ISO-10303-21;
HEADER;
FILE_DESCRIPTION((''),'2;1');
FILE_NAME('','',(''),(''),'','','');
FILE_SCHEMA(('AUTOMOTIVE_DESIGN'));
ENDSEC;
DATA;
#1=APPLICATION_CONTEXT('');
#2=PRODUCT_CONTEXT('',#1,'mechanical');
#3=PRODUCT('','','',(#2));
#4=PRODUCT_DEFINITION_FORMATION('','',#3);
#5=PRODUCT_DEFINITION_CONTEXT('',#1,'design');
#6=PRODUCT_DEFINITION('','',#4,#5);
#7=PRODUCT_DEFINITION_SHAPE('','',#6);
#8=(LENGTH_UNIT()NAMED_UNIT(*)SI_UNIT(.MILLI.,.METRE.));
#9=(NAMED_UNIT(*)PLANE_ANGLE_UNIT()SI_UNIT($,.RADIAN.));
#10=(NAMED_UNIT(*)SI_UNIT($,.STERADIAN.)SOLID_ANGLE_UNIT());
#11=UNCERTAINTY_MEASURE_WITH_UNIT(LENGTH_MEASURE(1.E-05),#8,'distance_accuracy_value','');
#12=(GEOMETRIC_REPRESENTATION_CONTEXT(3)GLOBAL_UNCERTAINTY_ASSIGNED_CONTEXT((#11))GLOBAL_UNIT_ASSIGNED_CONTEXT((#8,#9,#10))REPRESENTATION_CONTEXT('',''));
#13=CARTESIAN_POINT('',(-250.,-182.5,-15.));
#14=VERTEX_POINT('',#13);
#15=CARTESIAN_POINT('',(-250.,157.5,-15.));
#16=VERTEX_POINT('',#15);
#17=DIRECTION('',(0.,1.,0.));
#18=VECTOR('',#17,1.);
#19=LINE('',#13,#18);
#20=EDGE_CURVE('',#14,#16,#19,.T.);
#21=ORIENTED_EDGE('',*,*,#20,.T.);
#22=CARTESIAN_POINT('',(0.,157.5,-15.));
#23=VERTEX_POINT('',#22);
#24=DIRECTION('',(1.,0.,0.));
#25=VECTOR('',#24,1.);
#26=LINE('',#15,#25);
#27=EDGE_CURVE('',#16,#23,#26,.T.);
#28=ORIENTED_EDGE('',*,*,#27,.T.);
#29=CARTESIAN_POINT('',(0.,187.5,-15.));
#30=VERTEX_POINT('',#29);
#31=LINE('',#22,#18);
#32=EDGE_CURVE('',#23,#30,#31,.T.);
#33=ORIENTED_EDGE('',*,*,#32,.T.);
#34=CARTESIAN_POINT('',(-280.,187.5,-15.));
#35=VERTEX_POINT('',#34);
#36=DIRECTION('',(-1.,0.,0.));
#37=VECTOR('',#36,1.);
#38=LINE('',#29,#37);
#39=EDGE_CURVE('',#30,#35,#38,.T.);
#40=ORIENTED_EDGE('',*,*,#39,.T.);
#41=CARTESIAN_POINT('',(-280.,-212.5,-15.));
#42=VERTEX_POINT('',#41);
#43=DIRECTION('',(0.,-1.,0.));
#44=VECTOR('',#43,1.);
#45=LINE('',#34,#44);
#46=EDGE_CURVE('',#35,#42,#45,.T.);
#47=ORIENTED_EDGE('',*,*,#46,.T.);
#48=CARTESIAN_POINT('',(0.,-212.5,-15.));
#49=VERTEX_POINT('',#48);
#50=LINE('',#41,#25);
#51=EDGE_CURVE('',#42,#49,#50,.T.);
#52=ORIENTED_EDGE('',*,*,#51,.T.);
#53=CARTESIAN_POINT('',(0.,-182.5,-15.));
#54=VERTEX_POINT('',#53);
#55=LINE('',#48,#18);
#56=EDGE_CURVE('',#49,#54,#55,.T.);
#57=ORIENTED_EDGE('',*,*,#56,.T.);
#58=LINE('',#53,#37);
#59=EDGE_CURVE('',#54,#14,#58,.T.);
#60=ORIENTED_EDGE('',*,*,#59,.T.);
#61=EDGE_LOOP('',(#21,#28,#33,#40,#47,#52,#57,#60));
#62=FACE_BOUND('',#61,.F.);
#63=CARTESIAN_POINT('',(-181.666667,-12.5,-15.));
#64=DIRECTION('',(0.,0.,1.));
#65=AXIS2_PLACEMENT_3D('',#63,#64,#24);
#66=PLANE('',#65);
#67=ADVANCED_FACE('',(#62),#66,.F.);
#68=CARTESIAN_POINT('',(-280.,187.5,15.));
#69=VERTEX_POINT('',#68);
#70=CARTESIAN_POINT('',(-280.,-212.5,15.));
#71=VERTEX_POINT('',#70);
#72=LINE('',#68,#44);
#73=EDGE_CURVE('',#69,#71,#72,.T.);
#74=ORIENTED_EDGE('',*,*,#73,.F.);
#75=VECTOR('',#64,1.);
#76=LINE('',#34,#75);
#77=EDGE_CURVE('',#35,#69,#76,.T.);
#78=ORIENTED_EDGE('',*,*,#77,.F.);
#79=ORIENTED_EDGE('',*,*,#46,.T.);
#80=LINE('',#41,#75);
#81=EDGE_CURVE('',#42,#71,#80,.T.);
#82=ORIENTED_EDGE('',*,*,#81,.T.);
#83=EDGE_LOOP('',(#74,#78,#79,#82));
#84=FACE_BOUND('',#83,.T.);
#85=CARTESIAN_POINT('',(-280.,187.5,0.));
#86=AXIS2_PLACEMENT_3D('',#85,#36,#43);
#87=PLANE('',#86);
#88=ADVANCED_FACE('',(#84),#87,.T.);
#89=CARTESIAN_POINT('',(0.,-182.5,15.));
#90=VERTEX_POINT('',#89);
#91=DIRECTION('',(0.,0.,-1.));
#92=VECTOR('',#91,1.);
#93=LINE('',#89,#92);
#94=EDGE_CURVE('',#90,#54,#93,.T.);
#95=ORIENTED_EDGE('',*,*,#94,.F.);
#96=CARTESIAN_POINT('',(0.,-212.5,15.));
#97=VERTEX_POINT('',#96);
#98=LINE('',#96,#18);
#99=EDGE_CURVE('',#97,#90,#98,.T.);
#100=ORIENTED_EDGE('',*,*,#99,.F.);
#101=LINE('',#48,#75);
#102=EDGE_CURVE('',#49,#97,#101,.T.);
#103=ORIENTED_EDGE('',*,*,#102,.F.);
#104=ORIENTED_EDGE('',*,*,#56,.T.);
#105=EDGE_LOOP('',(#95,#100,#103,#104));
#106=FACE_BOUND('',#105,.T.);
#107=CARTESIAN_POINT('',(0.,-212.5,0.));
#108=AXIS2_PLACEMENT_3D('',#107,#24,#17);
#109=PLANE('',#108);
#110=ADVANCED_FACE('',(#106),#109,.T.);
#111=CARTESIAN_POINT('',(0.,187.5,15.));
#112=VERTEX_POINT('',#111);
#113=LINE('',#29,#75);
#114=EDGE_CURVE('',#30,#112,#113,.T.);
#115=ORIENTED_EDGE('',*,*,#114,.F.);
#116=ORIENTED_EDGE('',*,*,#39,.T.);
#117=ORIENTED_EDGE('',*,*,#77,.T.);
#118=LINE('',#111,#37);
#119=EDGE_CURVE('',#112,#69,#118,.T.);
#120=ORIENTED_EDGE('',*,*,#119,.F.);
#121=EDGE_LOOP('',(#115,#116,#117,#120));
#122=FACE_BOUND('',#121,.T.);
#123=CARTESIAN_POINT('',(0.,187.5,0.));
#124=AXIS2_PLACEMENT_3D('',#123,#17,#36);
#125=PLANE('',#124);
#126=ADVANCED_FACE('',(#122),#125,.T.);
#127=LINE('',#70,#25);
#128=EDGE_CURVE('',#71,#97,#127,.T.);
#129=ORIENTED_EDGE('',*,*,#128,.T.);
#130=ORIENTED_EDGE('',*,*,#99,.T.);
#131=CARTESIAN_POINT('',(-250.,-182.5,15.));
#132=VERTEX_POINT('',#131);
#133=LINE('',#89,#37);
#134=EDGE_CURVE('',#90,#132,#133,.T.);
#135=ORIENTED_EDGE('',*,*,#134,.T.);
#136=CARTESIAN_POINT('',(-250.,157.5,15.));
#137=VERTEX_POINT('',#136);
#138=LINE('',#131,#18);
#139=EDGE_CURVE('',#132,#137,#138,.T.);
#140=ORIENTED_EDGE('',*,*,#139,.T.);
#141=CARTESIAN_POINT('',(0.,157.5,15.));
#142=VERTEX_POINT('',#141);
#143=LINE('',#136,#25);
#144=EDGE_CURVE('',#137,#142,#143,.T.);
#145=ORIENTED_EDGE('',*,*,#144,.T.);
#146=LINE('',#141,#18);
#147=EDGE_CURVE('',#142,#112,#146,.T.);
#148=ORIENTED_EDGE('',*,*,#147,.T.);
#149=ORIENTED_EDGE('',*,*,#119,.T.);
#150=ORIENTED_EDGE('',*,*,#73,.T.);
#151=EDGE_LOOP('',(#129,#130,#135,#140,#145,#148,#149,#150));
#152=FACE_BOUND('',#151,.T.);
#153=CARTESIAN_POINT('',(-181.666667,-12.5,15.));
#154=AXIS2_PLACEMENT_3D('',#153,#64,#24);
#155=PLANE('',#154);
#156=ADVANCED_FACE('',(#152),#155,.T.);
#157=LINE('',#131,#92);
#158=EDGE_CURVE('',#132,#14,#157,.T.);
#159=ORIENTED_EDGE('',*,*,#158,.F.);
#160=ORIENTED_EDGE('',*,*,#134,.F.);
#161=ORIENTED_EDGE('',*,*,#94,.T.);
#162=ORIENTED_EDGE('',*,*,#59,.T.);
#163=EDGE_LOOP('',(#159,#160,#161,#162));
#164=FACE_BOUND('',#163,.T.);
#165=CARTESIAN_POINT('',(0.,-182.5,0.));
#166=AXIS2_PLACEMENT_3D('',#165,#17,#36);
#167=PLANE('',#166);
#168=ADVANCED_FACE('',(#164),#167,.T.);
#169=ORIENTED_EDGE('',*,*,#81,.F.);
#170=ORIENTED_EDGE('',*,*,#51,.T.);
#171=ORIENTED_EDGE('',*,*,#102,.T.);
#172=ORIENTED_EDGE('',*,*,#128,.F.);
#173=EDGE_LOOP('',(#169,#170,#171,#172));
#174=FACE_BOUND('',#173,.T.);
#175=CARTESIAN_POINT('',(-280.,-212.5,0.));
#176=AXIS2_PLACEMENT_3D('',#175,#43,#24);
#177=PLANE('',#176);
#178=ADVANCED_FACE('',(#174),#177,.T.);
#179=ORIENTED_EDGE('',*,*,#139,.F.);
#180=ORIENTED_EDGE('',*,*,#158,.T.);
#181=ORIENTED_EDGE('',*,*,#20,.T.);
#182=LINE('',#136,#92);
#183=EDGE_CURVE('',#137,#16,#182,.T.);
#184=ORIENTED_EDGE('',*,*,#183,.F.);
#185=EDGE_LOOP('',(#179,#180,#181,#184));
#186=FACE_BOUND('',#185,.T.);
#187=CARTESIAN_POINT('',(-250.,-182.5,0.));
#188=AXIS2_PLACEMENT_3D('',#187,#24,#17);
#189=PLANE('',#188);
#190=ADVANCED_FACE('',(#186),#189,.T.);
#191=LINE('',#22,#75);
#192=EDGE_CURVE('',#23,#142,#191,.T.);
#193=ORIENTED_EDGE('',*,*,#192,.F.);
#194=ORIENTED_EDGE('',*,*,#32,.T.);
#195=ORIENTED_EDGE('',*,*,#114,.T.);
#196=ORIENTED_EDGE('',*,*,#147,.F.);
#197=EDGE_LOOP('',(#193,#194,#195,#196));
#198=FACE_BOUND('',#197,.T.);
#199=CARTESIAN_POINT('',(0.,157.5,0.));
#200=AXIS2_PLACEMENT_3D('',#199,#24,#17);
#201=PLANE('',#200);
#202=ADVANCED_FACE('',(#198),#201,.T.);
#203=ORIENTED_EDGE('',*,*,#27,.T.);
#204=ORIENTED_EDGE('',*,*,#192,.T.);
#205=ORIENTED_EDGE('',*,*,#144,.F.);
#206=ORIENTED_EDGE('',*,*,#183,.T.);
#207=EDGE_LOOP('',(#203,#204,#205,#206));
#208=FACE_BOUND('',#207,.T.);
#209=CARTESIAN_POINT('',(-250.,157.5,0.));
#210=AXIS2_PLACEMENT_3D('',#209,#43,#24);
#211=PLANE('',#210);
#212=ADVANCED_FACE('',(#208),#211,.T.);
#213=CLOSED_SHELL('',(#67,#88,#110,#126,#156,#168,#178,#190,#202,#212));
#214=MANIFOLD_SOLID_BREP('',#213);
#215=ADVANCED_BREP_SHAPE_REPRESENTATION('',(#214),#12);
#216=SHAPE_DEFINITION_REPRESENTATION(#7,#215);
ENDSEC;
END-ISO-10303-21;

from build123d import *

# Parameters (mm, degrees)
F1_DEPTH = 15


with BuildPart() as f1:
    # F0 (on Top) → F1 (new body, symmetric)
    with BuildSketch(Plane.XY):
        Polygon((-250, 157.5), (0, 157.5), (0, 187.5), (-280, 187.5), (-280, -212.5), (0, -212.5), (0, -182.5), (-250, -182.5), align=None)
    extrude(amount=F1_DEPTH, both=True)


solid = f1.part
